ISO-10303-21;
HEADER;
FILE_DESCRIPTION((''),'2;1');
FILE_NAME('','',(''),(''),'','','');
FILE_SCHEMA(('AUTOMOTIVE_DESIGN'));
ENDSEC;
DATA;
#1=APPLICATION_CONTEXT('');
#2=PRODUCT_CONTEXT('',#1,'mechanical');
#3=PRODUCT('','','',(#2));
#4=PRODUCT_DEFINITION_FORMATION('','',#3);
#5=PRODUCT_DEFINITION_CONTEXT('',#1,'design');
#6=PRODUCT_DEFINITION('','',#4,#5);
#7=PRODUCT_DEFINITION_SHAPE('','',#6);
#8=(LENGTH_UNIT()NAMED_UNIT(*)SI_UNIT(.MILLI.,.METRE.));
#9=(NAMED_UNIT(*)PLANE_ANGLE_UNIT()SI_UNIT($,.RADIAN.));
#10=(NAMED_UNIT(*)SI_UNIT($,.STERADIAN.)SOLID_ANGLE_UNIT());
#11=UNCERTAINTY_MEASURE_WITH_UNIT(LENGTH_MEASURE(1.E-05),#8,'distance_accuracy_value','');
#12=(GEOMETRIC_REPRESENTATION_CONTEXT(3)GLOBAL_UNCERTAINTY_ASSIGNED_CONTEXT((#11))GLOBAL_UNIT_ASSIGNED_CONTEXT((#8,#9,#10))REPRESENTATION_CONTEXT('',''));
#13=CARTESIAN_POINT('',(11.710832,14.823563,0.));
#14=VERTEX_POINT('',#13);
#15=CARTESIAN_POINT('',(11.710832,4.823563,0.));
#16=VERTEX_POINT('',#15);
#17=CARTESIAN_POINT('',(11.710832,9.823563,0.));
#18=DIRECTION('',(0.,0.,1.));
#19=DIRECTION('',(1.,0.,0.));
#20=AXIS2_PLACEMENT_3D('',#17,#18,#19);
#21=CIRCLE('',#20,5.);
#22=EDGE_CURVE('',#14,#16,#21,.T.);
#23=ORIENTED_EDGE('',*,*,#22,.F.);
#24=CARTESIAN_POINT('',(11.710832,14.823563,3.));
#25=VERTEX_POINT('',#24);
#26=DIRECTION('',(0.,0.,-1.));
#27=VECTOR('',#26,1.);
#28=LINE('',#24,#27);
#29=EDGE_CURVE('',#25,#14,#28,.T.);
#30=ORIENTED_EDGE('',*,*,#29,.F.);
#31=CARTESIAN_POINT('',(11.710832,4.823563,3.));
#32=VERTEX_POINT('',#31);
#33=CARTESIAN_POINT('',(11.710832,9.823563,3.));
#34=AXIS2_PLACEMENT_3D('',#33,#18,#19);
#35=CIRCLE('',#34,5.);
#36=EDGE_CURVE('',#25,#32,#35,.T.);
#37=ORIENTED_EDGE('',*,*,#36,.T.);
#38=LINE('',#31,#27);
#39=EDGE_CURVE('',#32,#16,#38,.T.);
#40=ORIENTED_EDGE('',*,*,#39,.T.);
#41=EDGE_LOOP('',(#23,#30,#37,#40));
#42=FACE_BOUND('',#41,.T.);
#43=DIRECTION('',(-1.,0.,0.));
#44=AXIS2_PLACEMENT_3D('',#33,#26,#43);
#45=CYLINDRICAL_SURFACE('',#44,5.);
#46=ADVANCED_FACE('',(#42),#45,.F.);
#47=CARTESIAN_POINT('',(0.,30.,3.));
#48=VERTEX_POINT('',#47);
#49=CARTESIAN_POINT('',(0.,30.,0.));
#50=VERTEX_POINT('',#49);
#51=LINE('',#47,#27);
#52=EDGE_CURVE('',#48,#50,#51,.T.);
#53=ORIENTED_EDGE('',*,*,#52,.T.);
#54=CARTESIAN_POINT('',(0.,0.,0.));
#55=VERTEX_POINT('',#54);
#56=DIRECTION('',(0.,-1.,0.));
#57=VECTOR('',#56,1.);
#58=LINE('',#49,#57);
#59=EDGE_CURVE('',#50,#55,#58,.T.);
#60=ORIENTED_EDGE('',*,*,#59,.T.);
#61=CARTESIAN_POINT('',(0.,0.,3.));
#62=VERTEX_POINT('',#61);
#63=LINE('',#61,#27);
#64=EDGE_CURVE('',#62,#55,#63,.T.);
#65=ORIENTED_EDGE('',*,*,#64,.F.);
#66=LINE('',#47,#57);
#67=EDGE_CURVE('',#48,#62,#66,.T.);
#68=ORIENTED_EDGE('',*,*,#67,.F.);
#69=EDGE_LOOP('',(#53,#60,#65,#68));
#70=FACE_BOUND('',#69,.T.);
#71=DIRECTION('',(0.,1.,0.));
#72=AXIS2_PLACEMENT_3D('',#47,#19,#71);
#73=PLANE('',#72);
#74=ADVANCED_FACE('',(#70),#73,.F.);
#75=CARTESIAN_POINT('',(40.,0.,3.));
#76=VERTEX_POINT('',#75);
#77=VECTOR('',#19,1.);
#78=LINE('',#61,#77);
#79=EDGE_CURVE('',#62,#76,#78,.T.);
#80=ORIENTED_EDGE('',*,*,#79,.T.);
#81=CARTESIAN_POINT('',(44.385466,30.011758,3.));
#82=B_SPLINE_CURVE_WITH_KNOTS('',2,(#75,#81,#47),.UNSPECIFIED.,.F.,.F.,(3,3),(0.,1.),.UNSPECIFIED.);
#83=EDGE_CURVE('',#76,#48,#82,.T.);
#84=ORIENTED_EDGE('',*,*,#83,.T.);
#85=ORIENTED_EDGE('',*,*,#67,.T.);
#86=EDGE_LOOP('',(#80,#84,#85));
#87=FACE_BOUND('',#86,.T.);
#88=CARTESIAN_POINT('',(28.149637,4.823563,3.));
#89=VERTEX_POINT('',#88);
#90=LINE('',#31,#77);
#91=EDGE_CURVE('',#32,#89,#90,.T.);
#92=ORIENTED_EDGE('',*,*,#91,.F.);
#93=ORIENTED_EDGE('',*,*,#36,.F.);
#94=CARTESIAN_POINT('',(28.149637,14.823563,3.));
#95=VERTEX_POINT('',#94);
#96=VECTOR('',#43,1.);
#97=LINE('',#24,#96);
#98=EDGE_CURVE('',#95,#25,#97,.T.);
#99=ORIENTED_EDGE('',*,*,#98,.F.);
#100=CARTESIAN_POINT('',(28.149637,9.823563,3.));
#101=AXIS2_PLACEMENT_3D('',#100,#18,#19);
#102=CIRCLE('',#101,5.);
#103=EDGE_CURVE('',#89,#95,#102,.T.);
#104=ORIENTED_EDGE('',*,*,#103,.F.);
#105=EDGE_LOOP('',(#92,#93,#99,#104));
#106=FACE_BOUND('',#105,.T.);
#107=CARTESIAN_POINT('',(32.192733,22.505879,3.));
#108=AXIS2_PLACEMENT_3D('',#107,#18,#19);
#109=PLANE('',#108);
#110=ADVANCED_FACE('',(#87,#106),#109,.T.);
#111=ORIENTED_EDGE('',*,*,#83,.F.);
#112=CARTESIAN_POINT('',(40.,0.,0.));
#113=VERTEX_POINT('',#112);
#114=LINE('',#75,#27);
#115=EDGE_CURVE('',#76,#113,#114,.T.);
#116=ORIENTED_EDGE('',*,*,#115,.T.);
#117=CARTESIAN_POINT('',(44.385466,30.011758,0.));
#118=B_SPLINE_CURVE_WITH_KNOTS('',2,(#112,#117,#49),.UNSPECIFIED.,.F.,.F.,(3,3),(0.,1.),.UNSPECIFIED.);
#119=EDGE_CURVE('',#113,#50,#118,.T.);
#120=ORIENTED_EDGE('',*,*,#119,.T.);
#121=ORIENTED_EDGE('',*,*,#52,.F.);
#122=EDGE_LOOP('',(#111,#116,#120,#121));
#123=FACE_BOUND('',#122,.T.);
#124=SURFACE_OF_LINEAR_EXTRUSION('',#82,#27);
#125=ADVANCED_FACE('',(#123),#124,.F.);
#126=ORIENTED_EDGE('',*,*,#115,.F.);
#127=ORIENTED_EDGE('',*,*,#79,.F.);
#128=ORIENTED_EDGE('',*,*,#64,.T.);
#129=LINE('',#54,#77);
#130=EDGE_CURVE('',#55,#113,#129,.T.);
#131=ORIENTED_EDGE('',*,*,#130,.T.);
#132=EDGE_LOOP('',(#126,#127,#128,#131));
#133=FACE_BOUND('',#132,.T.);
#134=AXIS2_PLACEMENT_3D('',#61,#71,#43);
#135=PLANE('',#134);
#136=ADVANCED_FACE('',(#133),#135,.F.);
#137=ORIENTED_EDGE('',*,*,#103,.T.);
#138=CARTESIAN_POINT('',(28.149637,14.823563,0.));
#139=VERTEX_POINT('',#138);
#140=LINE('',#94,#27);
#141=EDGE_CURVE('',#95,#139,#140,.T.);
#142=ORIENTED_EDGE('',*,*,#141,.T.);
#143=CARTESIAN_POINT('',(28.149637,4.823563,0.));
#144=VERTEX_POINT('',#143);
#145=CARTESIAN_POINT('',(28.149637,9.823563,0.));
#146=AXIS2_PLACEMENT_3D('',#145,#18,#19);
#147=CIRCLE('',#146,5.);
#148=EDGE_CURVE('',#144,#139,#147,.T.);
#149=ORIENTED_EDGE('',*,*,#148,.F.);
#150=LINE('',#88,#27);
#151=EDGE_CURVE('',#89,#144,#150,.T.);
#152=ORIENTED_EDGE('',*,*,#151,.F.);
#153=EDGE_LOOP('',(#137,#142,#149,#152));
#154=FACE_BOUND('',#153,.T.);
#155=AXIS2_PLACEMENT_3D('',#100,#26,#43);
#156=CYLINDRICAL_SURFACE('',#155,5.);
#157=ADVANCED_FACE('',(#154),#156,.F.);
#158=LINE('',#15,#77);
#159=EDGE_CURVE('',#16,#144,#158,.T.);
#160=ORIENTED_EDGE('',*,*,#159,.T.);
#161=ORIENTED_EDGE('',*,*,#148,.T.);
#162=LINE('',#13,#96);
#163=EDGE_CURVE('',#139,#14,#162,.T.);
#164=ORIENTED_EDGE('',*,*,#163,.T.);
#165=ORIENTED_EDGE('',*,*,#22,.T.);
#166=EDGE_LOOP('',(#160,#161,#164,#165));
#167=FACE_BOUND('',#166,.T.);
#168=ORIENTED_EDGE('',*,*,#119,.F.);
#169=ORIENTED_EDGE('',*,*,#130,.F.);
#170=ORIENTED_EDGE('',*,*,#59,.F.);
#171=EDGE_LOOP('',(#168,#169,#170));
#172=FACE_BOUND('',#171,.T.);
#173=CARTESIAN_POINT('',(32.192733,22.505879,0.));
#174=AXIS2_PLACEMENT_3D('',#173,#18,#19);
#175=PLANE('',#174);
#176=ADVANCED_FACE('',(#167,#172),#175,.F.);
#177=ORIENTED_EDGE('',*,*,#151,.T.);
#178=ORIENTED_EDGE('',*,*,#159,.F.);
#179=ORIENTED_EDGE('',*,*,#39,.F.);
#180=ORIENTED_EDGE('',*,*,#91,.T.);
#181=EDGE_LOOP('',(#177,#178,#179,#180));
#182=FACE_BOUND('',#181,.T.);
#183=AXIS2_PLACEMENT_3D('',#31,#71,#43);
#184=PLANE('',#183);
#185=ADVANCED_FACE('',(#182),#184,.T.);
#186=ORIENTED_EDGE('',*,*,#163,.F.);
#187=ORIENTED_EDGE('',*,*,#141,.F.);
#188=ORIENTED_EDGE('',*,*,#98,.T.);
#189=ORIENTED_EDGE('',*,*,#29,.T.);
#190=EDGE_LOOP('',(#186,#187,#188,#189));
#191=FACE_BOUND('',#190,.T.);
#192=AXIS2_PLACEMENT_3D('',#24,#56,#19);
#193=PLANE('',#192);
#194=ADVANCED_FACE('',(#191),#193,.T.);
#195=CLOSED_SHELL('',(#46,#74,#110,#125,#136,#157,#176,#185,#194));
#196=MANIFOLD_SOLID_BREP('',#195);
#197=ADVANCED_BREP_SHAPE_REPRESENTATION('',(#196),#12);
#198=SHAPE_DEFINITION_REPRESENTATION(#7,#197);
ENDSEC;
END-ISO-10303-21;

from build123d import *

# Parameters (mm, degrees)
BOSS_EXTRUDE2_DEPTH = 3


with BuildPart() as part:
    # Sketch1 → Boss-Extrude2 (new body)
    with BuildSketch(Plane.XY):
        with BuildLine():
            Line((0, 30), (0, 0))
            Line((0, 0), (40, 0))
            add(Edge.make_bspline(
                [(0, 30), (44.385466319, 30.011757551), (40, 0)],
                knots=[0, 0, 0, 1, 1, 1], degree=2))
        make_face()
        with BuildLine():
            Line((11.710831717, 14.823563468), (28.149637062, 14.823563468))
            ThreePointArc((28.149637062, 14.823563468), (33.149637062, 9.823563468), (28.149637062, 4.823563468))
            Line((28.149637062, 4.823563468), (11.710831717, 4.823563468))
            ThreePointArc((11.710831717, 4.823563468), (6.710831717, 9.823563468), (11.710831717, 14.823563468))
        make_face(mode=Mode.SUBTRACT)
    extrude(amount=BOSS_EXTRUDE2_DEPTH)


solid = part.part
